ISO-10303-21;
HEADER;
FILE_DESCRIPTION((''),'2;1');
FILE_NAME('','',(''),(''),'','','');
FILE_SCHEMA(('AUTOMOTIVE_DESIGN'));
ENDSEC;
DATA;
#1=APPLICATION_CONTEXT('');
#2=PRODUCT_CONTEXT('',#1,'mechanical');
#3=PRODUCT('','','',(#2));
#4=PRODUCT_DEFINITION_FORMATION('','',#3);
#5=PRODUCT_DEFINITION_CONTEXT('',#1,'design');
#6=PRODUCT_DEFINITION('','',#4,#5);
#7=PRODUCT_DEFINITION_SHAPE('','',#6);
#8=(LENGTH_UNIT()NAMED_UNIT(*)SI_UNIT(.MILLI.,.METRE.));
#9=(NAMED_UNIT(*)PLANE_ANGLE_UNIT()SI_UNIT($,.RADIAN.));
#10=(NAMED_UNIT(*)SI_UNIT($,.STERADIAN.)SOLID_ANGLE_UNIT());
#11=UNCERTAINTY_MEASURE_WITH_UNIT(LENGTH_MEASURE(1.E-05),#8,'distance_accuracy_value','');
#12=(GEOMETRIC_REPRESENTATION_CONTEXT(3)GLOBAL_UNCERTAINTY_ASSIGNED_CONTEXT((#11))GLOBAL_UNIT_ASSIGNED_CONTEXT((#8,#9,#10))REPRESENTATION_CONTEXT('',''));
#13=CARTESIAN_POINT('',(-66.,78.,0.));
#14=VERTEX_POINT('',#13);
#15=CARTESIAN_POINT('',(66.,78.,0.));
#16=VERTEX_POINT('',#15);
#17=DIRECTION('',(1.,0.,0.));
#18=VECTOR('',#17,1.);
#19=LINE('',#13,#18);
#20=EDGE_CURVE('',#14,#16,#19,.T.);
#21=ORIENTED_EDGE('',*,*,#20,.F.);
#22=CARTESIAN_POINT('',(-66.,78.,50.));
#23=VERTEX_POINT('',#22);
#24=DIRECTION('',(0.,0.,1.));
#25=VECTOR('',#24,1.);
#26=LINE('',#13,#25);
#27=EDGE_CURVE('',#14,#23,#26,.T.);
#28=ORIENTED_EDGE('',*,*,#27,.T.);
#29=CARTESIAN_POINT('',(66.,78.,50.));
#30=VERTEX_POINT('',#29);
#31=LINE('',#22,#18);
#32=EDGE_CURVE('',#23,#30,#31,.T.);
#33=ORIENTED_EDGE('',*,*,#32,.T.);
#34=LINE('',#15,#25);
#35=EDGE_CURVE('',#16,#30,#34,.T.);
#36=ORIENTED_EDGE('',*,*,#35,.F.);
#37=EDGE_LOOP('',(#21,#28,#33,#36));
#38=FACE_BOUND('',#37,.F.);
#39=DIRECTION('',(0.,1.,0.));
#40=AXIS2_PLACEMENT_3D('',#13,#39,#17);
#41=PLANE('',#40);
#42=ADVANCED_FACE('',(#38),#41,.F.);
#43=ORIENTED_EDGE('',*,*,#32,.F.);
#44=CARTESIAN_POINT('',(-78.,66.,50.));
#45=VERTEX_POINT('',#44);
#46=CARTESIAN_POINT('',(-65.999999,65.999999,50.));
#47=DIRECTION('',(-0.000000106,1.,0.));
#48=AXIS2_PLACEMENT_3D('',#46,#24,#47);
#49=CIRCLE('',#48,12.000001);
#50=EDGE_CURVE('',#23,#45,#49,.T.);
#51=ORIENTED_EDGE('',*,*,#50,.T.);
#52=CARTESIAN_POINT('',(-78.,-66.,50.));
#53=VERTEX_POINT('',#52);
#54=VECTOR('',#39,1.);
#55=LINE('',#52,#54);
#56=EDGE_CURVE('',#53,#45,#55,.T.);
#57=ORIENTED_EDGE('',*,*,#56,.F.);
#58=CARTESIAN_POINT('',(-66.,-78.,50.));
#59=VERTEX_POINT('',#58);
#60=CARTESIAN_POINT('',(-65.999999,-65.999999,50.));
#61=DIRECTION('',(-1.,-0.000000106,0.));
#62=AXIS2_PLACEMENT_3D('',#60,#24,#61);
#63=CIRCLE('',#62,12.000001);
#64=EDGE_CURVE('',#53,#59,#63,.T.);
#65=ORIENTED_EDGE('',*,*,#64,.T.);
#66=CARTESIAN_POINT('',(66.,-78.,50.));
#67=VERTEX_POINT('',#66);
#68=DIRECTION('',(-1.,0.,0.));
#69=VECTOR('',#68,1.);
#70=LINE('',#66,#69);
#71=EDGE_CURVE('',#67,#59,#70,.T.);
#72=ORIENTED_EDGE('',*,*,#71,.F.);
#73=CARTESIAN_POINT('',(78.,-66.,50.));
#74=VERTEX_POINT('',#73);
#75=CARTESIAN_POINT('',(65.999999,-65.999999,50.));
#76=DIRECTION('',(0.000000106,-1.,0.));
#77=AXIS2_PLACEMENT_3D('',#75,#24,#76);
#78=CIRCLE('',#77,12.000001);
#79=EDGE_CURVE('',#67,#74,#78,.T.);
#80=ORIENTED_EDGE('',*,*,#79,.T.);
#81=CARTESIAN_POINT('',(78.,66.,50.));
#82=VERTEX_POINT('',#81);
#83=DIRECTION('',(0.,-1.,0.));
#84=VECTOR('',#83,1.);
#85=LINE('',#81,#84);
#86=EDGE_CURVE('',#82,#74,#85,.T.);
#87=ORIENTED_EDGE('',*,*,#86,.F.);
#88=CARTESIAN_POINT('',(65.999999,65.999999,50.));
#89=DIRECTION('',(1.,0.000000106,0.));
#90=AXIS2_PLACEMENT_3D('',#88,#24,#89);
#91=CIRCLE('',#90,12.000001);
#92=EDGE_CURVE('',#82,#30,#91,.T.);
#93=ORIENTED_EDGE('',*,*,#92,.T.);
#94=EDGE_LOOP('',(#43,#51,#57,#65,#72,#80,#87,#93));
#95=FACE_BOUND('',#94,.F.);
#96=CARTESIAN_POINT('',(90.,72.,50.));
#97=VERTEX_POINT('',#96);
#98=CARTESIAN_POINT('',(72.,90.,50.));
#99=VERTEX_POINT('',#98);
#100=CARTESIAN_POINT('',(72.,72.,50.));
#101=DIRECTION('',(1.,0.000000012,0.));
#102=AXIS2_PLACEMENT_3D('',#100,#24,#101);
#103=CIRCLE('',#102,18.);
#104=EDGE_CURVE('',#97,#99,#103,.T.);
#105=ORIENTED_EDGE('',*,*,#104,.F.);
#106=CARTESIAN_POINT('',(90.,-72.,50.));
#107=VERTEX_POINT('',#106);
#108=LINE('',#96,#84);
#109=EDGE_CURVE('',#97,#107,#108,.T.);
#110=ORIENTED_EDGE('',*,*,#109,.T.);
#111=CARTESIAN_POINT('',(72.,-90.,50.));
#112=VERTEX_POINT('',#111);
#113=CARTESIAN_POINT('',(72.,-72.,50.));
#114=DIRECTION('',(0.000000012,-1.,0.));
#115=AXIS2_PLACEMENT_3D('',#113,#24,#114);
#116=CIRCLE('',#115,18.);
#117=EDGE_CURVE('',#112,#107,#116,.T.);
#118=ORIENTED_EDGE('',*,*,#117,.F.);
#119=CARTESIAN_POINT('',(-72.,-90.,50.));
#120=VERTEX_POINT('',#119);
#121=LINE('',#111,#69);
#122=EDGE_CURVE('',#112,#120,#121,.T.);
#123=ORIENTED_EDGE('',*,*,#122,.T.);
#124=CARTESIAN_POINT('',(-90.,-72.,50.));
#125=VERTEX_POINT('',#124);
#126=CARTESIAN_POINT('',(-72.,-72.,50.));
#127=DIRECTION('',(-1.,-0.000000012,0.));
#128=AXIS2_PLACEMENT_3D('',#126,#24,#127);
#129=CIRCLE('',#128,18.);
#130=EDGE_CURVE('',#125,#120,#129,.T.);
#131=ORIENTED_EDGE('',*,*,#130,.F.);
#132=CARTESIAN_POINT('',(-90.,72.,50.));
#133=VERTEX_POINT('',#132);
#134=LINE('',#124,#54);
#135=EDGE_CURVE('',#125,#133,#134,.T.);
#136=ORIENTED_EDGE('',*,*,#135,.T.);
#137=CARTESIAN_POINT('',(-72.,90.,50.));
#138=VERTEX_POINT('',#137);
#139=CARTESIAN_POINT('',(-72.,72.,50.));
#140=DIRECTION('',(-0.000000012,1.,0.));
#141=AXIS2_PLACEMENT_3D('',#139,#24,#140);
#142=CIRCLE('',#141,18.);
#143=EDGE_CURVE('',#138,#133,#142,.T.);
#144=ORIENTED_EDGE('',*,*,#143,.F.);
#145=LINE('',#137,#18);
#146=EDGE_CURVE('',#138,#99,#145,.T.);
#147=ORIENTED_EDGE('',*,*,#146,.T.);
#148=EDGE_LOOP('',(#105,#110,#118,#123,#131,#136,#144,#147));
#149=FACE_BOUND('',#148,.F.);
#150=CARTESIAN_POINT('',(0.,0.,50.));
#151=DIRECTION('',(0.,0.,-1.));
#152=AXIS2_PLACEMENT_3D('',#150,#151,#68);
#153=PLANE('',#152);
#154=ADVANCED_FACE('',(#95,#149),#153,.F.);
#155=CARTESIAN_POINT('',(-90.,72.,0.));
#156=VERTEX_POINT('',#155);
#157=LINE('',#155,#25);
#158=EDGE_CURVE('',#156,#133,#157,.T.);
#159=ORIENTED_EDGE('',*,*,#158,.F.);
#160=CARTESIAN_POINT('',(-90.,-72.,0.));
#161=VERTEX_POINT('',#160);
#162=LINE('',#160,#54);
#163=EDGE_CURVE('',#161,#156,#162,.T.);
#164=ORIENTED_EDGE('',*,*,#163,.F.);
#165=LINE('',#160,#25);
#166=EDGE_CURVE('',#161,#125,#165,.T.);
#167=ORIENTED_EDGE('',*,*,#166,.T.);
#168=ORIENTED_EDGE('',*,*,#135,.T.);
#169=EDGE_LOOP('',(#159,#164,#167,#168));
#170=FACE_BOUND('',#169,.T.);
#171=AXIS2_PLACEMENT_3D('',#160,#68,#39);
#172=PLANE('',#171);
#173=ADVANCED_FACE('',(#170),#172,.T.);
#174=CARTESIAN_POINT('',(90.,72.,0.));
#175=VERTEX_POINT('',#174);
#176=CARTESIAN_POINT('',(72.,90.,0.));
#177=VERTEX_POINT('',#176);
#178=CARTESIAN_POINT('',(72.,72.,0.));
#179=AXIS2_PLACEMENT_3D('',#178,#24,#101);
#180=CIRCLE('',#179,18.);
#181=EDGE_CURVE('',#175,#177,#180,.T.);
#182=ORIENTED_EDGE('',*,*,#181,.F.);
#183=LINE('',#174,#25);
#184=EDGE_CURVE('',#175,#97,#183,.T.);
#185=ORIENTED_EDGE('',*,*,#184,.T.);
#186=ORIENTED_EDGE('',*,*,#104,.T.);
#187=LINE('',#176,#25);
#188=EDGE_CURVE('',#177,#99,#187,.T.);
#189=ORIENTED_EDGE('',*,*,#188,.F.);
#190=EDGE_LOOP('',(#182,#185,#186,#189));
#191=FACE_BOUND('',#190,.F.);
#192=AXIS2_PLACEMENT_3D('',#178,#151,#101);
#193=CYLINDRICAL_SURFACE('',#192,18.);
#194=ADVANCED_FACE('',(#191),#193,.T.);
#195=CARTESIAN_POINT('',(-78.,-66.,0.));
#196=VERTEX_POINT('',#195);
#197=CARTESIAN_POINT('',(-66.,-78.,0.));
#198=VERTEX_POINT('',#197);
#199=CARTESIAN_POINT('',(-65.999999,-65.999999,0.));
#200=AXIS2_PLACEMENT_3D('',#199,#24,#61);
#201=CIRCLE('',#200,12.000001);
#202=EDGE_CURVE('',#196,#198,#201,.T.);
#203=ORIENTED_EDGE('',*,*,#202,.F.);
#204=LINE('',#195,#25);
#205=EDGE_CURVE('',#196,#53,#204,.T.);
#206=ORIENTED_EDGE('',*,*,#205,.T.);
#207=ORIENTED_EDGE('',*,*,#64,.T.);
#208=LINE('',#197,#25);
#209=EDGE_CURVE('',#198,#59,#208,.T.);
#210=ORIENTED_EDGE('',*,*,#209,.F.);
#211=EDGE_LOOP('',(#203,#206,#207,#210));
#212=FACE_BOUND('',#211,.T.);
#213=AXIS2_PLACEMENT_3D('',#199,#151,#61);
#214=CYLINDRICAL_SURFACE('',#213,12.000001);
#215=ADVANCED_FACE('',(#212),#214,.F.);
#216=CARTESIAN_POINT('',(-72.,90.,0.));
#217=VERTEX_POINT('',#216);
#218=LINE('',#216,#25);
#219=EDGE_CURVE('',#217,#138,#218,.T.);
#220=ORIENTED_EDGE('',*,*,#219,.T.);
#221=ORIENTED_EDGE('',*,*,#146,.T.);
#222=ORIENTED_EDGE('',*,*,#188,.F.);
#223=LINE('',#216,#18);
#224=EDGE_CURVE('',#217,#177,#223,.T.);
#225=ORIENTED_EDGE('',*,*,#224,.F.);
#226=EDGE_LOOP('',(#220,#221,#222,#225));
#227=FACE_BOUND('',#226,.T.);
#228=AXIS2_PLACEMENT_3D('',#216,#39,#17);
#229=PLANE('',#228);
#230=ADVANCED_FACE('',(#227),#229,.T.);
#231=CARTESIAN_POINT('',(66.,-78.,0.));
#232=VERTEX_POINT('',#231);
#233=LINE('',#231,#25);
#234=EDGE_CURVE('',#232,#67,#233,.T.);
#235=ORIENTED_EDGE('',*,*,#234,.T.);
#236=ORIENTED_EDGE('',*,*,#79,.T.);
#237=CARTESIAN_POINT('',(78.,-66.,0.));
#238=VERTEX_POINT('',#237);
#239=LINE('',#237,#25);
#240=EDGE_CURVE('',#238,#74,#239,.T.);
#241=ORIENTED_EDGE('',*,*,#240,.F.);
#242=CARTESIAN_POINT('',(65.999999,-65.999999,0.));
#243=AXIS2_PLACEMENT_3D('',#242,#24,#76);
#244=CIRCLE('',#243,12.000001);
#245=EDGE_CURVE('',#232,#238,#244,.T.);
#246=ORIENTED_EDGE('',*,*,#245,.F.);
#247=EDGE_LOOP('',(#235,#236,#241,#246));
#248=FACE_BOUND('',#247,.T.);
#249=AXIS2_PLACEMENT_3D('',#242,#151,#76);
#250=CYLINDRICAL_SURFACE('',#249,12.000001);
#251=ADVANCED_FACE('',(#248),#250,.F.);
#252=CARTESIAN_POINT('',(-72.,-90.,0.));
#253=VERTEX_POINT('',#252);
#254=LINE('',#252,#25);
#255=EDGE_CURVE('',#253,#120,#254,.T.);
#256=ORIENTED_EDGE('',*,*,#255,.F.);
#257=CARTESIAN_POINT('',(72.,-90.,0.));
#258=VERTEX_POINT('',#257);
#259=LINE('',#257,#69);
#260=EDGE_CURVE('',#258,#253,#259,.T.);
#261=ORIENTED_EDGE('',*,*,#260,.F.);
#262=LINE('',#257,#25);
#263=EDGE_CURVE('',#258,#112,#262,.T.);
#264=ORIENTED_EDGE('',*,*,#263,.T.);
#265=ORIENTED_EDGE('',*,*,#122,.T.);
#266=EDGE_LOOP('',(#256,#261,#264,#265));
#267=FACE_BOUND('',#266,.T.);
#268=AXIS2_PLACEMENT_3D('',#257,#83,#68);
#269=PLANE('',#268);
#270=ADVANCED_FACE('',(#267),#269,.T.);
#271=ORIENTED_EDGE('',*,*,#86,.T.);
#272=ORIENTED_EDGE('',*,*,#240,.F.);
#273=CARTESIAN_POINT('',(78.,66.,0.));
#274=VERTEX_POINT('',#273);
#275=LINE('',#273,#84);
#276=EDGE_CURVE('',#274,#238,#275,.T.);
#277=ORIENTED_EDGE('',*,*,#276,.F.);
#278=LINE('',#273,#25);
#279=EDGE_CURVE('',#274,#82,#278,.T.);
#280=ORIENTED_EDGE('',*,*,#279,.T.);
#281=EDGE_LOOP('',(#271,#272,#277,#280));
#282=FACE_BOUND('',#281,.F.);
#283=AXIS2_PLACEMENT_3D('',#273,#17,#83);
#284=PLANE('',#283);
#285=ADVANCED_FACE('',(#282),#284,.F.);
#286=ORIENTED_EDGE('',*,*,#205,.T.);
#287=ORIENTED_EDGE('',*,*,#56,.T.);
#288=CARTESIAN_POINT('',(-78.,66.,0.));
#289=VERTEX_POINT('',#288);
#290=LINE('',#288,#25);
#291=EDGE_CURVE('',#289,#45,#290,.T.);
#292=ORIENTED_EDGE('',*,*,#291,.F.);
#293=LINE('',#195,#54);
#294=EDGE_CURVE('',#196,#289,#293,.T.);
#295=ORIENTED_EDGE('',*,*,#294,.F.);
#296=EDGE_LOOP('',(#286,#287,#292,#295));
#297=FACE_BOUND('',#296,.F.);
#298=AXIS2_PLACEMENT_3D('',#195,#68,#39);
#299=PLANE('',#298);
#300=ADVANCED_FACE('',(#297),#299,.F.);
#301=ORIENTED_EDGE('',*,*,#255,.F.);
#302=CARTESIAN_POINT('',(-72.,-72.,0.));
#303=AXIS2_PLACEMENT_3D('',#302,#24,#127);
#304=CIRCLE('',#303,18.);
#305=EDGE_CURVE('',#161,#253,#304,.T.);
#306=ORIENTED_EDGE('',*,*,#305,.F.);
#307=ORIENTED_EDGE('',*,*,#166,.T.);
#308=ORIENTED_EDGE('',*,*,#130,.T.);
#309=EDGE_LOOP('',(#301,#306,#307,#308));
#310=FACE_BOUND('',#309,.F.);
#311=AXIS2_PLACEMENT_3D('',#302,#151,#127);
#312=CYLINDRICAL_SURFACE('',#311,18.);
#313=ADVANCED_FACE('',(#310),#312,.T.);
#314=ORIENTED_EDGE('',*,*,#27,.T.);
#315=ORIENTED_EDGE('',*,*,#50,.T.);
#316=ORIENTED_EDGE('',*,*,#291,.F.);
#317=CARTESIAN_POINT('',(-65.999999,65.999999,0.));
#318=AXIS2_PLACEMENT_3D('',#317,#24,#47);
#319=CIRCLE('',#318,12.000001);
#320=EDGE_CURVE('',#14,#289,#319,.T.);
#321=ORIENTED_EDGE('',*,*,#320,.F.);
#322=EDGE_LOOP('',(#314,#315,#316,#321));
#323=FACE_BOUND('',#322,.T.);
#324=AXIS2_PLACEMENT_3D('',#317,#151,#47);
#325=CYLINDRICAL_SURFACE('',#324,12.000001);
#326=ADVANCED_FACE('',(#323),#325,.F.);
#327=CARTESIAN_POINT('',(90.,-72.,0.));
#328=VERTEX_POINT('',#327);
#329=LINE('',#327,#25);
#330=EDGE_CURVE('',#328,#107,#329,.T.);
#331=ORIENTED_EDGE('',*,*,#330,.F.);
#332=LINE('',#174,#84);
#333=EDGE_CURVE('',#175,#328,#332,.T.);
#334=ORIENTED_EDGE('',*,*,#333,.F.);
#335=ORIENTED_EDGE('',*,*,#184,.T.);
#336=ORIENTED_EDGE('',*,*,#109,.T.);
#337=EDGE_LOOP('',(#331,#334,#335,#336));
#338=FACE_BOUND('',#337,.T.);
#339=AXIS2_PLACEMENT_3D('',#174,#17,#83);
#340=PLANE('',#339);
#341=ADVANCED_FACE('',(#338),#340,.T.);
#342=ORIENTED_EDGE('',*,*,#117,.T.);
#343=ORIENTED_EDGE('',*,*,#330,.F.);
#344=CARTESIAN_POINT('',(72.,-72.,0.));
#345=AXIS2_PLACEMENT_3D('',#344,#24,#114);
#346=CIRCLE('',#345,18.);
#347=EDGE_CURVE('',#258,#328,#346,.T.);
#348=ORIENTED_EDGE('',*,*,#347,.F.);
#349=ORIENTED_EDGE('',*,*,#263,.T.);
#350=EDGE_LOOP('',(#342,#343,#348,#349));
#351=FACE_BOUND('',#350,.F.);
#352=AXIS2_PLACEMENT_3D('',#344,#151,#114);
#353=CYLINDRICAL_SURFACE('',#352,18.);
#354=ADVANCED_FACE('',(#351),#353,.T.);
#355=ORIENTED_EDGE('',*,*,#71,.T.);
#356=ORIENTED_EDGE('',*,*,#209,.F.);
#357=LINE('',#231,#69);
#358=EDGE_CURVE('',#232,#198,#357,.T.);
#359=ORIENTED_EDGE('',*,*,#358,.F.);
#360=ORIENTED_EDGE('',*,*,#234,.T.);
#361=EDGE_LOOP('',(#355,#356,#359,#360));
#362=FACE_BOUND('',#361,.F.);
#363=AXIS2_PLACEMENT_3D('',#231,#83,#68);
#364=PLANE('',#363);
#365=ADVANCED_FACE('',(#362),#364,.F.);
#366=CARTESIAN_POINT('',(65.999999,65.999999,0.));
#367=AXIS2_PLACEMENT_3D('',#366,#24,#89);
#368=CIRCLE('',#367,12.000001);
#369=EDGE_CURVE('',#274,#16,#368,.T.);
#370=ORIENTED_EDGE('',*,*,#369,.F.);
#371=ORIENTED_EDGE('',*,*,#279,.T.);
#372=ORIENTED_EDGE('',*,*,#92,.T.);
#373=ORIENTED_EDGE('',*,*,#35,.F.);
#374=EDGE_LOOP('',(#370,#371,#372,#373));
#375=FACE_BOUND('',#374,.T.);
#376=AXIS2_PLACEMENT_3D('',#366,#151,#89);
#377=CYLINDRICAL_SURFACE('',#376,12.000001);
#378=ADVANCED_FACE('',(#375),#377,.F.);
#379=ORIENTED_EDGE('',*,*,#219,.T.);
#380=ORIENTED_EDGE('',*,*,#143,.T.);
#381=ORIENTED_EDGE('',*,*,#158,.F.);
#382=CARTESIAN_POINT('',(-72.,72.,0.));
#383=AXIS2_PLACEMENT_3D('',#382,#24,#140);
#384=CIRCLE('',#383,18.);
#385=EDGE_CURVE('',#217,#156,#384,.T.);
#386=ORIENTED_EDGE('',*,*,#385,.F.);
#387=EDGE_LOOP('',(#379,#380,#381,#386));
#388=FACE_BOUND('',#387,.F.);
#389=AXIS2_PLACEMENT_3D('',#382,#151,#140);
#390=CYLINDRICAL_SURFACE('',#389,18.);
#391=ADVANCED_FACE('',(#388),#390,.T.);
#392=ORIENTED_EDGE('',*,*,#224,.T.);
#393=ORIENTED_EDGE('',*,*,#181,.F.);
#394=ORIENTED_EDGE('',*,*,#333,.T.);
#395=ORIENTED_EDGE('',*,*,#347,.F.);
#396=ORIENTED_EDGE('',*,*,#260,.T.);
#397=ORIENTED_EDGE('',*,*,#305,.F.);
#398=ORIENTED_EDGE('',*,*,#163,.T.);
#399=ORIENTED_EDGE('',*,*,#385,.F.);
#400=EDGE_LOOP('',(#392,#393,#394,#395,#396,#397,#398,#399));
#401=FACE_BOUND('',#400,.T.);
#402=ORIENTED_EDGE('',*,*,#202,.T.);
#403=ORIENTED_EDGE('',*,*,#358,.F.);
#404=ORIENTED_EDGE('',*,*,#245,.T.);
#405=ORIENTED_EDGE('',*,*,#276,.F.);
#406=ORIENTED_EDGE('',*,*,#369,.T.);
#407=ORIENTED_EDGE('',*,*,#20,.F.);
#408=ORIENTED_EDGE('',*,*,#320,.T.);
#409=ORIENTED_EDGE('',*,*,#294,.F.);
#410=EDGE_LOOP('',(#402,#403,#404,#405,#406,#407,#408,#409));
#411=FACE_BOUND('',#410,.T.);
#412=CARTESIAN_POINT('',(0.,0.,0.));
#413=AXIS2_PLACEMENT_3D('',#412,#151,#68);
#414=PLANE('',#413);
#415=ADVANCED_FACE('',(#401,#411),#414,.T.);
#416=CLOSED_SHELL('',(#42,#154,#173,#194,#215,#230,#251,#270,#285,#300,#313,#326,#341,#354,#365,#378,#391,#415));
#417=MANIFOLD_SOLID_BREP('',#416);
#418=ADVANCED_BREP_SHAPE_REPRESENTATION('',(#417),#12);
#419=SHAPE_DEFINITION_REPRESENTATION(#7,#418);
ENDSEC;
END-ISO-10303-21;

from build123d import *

# Parameters (mm, degrees)
EXTRUDE_DEPTH = 50


with BuildPart() as part:
    # Sketch → Extrude (new body)
    with BuildSketch(Plane.XY):
        with BuildLine():
            Line((-72, 90), (72, 90))
            ThreePointArc((90, 72), (84.727922, 84.727922), (72, 90))
            Line((90, 72), (90, -72))
            ThreePointArc((72, -90), (84.727922, -84.727922), (90, -72))
            Line((72, -90), (-72, -90))
            ThreePointArc((-90, -72), (-84.727922, -84.727922), (-72, -90))
            Line((-90, -72), (-90, 72))
            ThreePointArc((-72, 90), (-84.727922, 84.727922), (-90, 72))
        make_face()
        with BuildLine():
            Line((-66, 78), (66, 78))
            ThreePointArc((78, 66), (74.485281, 74.485281), (66, 78))
            Line((78, 66), (78, -66))
            ThreePointArc((66, -78), (74.485281, -74.485281), (78, -66))
            Line((66, -78), (-66, -78))
            ThreePointArc((-78, -66), (-74.485281, -74.485281), (-66, -78))
            Line((-78, -66), (-78, 66))
            ThreePointArc((-66, 78), (-74.485281, 74.485281), (-78, 66))
        make_face(mode=Mode.SUBTRACT)
    extrude(amount=EXTRUDE_DEPTH)


solid = part.part
